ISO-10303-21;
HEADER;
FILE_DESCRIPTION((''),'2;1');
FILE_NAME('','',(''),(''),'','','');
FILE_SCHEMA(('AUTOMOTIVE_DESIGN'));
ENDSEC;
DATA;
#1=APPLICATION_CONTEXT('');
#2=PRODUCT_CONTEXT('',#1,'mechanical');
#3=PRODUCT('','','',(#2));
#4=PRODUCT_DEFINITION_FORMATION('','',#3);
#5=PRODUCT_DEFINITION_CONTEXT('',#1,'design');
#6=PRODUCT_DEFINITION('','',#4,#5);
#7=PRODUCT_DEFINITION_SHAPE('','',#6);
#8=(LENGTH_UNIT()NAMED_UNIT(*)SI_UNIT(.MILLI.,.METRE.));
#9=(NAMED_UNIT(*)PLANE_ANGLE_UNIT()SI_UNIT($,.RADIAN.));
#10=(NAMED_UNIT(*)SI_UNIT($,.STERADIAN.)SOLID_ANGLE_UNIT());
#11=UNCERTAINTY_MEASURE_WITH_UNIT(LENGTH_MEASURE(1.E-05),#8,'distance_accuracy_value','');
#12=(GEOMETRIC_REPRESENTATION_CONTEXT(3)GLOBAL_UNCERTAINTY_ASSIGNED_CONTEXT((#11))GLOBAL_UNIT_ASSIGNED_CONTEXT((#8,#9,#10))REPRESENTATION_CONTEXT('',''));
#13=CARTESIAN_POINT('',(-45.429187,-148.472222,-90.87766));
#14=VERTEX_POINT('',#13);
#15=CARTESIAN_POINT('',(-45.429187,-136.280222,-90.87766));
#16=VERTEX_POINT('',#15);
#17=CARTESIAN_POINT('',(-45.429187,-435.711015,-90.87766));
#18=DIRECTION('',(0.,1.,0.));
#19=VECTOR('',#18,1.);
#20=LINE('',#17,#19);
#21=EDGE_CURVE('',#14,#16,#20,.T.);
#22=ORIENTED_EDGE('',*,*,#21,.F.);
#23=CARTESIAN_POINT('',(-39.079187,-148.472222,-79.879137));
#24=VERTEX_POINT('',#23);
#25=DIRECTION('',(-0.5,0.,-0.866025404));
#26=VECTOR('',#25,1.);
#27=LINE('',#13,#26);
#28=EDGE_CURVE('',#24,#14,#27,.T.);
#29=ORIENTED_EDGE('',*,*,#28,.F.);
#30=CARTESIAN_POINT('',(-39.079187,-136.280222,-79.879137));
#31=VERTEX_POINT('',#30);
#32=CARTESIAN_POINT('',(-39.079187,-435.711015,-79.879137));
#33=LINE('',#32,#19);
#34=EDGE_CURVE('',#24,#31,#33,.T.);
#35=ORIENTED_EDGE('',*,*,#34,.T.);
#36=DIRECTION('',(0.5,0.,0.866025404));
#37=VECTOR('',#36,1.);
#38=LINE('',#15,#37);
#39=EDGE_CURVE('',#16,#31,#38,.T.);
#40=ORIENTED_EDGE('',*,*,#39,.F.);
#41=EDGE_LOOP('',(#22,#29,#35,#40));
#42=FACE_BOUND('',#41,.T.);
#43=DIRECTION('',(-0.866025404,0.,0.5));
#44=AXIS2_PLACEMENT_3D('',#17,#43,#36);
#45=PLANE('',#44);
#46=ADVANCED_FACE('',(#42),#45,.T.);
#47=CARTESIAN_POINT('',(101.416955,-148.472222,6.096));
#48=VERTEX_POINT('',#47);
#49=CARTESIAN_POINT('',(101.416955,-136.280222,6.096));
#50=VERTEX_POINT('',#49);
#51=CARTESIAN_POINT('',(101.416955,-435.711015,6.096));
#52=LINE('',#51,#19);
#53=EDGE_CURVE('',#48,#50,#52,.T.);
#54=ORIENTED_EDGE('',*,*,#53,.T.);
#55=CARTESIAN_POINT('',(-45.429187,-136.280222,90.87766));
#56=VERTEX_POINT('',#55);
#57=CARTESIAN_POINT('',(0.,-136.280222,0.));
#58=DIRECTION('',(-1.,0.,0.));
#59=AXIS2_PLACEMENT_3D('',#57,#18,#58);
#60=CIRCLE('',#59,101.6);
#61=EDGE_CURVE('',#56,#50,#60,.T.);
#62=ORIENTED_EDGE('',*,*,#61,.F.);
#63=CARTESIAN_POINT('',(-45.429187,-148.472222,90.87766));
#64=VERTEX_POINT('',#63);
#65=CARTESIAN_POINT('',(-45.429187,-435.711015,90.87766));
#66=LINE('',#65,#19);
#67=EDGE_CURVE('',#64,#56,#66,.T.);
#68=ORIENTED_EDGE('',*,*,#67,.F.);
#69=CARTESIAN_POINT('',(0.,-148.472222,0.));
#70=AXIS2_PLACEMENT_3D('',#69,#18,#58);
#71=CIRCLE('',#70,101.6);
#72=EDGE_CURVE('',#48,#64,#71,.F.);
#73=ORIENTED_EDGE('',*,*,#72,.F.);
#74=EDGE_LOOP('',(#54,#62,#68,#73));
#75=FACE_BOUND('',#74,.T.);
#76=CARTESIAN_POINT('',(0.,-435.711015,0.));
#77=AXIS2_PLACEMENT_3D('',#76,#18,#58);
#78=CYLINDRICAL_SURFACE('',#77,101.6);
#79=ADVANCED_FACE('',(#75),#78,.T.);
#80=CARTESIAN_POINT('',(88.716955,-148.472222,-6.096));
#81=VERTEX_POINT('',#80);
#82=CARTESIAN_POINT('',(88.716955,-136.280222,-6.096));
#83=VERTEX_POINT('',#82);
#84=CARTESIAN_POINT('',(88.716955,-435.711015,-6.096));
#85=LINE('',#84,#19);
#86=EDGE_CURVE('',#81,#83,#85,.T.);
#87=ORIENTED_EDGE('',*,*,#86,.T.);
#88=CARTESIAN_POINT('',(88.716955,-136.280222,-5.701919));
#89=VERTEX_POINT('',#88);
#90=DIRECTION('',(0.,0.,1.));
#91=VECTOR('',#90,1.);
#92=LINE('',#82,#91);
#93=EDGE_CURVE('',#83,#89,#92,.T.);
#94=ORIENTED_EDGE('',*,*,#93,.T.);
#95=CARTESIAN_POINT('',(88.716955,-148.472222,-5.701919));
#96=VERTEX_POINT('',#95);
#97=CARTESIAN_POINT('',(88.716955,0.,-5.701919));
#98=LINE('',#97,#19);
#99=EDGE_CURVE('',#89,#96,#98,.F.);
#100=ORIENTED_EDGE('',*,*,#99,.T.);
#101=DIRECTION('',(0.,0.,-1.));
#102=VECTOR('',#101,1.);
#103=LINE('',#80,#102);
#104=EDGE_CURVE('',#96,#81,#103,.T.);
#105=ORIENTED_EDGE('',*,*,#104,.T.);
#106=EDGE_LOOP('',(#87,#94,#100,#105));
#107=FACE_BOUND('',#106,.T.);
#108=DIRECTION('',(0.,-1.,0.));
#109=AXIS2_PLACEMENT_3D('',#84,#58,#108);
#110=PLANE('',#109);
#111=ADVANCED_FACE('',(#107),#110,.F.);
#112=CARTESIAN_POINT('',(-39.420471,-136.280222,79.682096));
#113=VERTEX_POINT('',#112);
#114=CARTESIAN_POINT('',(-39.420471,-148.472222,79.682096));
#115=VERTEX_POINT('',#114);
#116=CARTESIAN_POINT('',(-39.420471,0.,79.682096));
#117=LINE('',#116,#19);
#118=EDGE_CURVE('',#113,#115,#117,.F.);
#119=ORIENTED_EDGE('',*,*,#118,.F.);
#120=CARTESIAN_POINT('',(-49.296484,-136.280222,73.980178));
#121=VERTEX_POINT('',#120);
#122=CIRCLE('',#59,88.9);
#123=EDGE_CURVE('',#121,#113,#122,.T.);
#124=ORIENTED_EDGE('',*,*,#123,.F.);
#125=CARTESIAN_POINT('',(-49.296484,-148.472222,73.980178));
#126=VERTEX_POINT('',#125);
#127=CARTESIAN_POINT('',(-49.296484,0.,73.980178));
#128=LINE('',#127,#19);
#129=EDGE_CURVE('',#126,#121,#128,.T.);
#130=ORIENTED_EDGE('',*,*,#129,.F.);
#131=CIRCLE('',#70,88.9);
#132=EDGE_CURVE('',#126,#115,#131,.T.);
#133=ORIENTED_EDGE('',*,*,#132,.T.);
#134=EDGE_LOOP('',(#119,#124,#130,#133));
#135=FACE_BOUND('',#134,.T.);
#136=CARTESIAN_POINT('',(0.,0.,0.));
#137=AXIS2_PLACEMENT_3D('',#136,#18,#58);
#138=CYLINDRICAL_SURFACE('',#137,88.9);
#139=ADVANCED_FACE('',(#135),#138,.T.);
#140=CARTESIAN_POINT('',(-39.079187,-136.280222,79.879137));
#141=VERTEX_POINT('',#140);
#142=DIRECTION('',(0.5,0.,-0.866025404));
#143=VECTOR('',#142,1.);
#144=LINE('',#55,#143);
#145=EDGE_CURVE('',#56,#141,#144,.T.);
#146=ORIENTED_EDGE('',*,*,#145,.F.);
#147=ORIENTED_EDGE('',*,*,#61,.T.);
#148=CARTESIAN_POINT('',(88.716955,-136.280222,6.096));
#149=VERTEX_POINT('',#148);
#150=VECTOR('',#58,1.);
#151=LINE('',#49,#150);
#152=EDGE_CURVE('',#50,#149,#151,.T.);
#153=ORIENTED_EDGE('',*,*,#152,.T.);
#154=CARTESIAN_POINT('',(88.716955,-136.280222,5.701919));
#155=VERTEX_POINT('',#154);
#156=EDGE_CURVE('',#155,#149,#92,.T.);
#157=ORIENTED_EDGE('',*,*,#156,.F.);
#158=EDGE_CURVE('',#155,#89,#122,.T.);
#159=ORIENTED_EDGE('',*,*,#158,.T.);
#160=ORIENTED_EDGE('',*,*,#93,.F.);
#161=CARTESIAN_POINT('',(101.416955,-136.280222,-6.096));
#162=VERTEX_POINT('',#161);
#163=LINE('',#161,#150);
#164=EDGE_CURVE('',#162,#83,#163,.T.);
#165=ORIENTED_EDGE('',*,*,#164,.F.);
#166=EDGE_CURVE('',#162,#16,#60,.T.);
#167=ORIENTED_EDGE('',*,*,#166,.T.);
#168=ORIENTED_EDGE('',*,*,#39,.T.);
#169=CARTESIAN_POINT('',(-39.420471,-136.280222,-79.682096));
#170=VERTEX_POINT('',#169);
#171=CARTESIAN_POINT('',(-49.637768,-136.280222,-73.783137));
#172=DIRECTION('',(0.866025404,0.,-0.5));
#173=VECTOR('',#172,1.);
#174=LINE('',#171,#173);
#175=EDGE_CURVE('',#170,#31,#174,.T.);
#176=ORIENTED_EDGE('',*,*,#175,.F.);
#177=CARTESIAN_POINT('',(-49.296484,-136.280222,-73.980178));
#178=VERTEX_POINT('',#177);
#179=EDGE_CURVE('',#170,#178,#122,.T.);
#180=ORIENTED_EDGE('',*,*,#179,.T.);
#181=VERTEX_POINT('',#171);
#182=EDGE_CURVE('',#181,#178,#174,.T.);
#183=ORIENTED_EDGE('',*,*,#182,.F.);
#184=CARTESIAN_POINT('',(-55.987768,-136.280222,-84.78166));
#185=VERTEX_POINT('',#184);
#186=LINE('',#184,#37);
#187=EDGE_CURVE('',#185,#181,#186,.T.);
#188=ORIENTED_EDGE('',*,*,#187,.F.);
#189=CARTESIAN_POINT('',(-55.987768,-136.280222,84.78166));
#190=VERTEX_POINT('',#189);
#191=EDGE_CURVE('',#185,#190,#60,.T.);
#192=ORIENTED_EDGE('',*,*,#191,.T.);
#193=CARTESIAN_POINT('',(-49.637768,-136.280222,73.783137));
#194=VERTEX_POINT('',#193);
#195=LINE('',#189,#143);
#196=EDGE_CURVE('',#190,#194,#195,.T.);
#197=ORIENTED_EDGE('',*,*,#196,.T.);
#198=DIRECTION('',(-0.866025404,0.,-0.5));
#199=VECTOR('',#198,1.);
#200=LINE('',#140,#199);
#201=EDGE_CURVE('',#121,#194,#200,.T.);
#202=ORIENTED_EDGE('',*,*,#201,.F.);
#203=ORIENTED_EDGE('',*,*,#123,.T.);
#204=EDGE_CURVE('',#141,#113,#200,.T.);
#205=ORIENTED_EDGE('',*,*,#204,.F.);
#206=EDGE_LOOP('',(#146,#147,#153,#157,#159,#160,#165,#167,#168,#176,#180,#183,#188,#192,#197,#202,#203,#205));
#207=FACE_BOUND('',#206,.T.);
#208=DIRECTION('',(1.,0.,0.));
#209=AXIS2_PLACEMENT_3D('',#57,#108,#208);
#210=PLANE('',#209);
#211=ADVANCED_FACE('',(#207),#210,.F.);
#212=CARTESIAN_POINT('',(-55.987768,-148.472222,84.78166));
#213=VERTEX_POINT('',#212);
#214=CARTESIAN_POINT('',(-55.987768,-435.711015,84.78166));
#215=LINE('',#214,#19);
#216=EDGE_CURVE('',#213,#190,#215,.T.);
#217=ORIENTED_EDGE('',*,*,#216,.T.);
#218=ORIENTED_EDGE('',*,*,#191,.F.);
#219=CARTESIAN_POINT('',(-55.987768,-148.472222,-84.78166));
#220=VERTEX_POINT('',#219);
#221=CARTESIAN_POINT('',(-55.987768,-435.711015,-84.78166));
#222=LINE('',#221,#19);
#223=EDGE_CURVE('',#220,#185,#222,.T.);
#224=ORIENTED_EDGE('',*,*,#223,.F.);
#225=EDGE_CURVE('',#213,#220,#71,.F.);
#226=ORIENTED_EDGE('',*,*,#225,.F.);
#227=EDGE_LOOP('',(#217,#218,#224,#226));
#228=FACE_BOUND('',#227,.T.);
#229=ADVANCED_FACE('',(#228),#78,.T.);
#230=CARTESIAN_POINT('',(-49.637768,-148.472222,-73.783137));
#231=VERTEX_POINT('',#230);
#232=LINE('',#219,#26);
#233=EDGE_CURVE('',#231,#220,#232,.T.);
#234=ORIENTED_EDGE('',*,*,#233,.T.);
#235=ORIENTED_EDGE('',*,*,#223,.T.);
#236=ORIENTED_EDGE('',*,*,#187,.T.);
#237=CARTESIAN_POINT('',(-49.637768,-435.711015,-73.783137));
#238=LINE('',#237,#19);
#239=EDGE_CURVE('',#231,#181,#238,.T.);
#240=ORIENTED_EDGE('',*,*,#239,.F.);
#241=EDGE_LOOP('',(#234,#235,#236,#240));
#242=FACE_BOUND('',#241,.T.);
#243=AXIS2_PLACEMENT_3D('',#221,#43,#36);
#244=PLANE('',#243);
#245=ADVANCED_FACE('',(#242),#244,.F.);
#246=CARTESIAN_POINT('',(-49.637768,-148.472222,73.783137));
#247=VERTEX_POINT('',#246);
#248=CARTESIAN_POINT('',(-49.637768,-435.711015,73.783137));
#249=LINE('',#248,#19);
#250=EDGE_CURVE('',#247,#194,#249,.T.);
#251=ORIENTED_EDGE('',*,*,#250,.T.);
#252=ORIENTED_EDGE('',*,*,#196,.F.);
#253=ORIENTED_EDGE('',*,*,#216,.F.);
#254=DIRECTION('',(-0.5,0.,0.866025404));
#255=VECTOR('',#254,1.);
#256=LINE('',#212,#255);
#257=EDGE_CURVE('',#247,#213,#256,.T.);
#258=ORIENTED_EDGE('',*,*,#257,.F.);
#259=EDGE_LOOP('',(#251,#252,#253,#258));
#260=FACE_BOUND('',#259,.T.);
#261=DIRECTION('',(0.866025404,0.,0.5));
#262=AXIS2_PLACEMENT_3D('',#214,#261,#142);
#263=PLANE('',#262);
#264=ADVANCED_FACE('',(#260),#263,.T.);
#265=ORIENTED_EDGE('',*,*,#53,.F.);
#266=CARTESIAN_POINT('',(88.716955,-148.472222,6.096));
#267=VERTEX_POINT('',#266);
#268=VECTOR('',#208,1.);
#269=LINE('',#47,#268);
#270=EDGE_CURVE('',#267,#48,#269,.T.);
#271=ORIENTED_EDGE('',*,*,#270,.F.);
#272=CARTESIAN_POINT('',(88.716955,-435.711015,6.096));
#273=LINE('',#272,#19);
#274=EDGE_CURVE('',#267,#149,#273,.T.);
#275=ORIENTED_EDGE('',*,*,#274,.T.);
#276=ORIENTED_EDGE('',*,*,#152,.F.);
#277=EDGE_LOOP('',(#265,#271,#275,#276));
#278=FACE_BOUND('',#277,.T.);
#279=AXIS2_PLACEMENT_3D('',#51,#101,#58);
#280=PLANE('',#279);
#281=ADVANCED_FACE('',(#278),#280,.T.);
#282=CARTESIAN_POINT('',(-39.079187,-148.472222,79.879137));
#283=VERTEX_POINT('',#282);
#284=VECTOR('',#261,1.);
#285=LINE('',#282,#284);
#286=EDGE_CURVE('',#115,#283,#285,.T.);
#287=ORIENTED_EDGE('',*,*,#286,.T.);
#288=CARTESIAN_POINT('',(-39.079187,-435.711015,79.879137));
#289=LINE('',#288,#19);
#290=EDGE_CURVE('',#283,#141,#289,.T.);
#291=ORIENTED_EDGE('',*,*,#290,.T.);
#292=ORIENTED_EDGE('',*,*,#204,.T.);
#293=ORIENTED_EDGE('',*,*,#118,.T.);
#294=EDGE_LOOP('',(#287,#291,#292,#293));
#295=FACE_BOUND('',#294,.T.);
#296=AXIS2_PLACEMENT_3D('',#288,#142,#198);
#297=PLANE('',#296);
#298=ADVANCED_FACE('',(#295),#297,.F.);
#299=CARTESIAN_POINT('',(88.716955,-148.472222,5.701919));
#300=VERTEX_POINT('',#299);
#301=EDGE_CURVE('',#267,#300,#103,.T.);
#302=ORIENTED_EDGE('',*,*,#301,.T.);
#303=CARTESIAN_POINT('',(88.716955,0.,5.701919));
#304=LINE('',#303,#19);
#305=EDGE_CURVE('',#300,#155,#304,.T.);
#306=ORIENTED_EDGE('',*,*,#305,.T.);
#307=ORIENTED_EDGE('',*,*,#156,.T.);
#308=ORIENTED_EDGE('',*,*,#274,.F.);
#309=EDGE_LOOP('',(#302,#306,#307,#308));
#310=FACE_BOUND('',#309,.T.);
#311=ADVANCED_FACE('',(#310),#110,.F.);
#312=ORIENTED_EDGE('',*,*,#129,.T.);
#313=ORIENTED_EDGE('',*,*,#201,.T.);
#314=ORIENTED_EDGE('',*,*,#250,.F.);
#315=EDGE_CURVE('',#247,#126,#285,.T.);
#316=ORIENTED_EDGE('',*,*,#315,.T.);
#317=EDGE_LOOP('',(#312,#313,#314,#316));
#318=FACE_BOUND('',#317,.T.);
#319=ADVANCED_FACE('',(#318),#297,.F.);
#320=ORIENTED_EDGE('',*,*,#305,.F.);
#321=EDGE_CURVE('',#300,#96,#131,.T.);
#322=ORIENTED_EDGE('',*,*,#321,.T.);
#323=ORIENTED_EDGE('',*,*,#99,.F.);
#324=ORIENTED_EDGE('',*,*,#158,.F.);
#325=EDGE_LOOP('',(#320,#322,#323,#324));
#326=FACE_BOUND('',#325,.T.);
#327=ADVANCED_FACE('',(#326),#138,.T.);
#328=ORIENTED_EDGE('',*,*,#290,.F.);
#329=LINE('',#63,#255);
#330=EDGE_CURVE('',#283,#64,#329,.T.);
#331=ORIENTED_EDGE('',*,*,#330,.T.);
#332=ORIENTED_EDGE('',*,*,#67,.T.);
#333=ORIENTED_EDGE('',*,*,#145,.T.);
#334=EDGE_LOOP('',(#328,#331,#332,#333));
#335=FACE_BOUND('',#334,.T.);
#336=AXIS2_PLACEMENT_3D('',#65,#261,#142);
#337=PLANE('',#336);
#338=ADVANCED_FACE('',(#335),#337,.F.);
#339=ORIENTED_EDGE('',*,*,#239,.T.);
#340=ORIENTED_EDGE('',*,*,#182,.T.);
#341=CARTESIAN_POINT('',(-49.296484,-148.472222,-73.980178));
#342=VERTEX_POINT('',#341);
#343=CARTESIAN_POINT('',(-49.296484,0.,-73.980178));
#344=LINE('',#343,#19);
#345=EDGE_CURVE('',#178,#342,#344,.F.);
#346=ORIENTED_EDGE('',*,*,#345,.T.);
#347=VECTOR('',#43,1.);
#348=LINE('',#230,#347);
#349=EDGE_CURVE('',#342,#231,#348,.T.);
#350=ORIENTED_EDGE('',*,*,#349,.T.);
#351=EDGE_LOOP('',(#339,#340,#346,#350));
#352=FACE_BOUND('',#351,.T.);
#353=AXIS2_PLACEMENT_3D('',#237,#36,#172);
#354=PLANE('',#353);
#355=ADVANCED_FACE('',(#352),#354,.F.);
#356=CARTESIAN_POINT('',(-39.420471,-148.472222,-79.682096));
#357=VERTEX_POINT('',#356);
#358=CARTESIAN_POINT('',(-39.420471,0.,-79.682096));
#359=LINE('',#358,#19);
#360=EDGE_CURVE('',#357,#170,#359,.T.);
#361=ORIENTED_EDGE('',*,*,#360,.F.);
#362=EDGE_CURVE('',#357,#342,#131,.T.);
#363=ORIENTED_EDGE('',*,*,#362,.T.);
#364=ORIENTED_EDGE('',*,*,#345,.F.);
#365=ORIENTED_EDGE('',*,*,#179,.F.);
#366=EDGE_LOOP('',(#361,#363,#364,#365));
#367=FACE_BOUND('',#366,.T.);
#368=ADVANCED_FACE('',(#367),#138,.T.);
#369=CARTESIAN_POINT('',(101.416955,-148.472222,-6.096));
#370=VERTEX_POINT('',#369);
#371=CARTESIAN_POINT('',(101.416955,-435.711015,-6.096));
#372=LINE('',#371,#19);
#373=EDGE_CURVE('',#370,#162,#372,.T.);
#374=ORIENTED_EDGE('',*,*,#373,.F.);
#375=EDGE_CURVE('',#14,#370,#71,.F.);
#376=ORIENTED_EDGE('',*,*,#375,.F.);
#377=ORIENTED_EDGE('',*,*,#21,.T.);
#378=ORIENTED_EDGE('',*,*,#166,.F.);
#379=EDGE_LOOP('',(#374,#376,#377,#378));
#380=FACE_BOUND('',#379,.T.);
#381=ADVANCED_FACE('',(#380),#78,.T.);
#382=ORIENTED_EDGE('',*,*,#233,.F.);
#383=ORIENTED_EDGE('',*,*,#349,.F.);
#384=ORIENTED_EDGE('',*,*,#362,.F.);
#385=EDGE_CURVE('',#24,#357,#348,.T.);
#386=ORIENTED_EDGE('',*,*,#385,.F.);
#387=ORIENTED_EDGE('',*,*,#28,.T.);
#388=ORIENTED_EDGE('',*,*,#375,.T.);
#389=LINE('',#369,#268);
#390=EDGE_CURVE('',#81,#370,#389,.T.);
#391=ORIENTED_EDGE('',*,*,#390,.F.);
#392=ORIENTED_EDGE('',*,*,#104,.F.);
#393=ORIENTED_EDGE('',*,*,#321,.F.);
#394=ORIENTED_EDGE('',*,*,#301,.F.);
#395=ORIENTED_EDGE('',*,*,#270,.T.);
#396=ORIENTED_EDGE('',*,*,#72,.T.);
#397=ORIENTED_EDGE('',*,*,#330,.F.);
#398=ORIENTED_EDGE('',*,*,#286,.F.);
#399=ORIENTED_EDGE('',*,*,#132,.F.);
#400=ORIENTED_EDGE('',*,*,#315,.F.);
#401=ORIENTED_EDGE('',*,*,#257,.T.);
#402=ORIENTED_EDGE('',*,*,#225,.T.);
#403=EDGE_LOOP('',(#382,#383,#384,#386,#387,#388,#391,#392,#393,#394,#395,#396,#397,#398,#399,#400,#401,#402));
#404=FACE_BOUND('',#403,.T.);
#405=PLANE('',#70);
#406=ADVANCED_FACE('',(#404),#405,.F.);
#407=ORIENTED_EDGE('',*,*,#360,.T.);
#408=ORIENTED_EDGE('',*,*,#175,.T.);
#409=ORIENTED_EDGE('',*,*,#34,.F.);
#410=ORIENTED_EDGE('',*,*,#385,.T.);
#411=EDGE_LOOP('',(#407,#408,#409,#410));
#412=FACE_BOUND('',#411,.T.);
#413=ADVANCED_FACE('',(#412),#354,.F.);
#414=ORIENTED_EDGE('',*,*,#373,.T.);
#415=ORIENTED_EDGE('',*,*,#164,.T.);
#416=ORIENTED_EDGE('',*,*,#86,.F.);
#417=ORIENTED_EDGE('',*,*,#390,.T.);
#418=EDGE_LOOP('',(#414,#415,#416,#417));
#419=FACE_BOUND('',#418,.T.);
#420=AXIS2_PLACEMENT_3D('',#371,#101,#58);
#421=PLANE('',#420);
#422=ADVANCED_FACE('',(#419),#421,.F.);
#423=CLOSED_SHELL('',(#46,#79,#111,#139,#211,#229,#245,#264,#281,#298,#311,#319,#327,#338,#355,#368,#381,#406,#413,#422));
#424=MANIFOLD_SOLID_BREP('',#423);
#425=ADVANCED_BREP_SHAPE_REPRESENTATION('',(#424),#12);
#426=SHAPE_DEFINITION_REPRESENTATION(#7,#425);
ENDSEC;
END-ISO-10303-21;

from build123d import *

# Parameters (mm, degrees)
SKETCH1_W           = 88.9
SKETCH1_H           = 12.192
BOSS_EXTRUDE1_DEPTH = 12.192


with BuildPart() as part:
    # Sketch1 → Revolve1 (revolve)
    with BuildSketch(Plane.XY, mode=Mode.PRIVATE) as revolve1_sk:
        with Locations((44.45, -142.376222222)):
            Rectangle(SKETCH1_W, SKETCH1_H)
    revolve(revolve1_sk.sketch.rotate(Axis((0, 0, 0), (0, -1, 0)), 180), axis=Axis((0, 0, 0), (0, -1, 0)))

    # Sketch2 → Boss-Extrude1 (add)
    with BuildSketch(Plane(origin=(0, -136.280222222, 0), x_dir=(1, 0, 0), z_dir=(0, 1, 0))):
        with BuildLine():
            Line((101.416955111, 6.096), (88.716955111, 6.096))
            Line((88.716955111, 6.096), (88.716955111, -6.096))
            Line((88.716955111, -6.096), (101.416955111, -6.096))
            ThreePointArc((101.416955111, -6.096), (50.8, -87.988181024), (-45.429186694, -90.877659501))
            Line((-45.429186694, -90.877659501), (-39.079186694, -79.879136873))
            Line((-39.079186694, -79.879136873), (-49.637768417, -73.783136873))
            Line((-49.637768417, -73.783136873), (-55.987768417, -84.781659501))
            ThreePointArc((-55.987768417, -84.781659501), (-101.6, 0), (-55.987768417, 84.781659501))
            Line((-55.987768417, 84.781659501), (-49.637768417, 73.783136873))
            Line((-49.637768417, 73.783136873), (-39.079186694, 79.879136873))
            Line((-39.079186694, 79.879136873), (-45.429186694, 90.877659501))
            ThreePointArc((-45.429186694, 90.877659501), (50.8, 87.988181024), (101.416955111, 6.096))
        make_face()
    extrude(amount=-BOSS_EXTRUDE1_DEPTH)


solid = part.part
